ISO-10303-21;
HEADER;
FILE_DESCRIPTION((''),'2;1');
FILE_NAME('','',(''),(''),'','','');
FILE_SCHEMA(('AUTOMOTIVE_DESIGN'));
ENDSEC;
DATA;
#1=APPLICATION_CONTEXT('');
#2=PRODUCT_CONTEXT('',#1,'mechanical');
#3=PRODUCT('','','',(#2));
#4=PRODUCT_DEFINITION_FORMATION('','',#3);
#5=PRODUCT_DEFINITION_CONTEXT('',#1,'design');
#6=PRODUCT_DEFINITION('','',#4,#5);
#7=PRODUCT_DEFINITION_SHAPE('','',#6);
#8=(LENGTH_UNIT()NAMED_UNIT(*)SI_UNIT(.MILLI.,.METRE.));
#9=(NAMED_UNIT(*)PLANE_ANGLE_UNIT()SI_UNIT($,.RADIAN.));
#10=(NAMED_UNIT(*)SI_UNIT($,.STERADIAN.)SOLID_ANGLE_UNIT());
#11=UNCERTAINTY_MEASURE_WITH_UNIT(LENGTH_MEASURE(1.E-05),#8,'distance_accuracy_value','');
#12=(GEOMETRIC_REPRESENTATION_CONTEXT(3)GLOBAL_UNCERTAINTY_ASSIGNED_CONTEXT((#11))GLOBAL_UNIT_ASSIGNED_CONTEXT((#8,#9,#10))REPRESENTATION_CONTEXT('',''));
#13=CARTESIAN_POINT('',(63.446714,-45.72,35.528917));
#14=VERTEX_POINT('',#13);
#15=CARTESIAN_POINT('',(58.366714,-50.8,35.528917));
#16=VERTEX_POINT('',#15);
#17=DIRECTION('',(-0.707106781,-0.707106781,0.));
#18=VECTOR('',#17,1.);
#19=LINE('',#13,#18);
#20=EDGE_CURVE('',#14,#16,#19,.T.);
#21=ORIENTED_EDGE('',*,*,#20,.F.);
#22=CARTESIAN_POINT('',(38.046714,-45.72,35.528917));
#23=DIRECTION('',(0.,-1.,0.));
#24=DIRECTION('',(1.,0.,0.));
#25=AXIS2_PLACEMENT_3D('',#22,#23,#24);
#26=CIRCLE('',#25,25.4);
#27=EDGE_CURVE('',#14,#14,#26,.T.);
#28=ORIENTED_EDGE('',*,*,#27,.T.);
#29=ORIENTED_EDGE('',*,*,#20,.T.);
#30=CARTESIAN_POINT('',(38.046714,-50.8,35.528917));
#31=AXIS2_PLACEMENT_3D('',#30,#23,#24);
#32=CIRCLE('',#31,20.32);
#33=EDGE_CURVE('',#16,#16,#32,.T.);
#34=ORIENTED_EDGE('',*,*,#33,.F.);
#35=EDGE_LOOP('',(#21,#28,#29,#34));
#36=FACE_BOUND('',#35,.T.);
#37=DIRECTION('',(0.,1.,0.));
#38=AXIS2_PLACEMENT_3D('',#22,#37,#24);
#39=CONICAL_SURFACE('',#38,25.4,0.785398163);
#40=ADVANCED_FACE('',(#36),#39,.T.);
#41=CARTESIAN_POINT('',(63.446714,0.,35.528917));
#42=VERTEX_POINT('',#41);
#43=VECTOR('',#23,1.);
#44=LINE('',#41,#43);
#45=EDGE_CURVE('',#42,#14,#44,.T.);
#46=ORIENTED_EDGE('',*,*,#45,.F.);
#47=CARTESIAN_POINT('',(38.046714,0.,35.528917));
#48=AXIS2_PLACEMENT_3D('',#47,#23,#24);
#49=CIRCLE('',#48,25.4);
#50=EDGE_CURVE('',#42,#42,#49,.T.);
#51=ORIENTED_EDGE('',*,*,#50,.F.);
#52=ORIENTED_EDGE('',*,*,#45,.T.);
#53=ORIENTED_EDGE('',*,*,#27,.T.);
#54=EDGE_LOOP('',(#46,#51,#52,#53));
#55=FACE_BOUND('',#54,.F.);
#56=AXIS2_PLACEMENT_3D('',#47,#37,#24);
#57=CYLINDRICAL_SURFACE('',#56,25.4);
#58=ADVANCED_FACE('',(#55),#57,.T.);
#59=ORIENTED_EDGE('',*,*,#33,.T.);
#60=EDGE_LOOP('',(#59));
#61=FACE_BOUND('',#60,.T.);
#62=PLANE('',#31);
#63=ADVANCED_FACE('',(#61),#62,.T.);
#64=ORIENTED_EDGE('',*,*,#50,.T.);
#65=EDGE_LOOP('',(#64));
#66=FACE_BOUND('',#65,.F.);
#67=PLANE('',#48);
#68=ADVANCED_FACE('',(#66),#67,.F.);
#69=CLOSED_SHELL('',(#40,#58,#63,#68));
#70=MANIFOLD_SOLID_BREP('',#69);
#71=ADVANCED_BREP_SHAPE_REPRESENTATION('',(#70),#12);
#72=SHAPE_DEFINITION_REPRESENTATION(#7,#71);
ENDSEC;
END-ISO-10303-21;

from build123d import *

# Parameters (mm, degrees)
F0_R     = 25.4
F1_DEPTH = 50.8
F2_SIZE  = 5.08


with BuildPart() as f1:
    # F0 (on Front) → F1 (new body)
    with BuildSketch(Plane.XZ):
        with Locations((38.046714, 35.528917)):
            Circle(F0_R)
    extrude(amount=F1_DEPTH)

    # F2
    f2_edges = [f1.edges().sort_by_distance(p)[0] for p in [
        (12.646714, -50.8, 35.528917),
    ]]
    chamfer(f2_edges, length=F2_SIZE)


solid = f1.part
